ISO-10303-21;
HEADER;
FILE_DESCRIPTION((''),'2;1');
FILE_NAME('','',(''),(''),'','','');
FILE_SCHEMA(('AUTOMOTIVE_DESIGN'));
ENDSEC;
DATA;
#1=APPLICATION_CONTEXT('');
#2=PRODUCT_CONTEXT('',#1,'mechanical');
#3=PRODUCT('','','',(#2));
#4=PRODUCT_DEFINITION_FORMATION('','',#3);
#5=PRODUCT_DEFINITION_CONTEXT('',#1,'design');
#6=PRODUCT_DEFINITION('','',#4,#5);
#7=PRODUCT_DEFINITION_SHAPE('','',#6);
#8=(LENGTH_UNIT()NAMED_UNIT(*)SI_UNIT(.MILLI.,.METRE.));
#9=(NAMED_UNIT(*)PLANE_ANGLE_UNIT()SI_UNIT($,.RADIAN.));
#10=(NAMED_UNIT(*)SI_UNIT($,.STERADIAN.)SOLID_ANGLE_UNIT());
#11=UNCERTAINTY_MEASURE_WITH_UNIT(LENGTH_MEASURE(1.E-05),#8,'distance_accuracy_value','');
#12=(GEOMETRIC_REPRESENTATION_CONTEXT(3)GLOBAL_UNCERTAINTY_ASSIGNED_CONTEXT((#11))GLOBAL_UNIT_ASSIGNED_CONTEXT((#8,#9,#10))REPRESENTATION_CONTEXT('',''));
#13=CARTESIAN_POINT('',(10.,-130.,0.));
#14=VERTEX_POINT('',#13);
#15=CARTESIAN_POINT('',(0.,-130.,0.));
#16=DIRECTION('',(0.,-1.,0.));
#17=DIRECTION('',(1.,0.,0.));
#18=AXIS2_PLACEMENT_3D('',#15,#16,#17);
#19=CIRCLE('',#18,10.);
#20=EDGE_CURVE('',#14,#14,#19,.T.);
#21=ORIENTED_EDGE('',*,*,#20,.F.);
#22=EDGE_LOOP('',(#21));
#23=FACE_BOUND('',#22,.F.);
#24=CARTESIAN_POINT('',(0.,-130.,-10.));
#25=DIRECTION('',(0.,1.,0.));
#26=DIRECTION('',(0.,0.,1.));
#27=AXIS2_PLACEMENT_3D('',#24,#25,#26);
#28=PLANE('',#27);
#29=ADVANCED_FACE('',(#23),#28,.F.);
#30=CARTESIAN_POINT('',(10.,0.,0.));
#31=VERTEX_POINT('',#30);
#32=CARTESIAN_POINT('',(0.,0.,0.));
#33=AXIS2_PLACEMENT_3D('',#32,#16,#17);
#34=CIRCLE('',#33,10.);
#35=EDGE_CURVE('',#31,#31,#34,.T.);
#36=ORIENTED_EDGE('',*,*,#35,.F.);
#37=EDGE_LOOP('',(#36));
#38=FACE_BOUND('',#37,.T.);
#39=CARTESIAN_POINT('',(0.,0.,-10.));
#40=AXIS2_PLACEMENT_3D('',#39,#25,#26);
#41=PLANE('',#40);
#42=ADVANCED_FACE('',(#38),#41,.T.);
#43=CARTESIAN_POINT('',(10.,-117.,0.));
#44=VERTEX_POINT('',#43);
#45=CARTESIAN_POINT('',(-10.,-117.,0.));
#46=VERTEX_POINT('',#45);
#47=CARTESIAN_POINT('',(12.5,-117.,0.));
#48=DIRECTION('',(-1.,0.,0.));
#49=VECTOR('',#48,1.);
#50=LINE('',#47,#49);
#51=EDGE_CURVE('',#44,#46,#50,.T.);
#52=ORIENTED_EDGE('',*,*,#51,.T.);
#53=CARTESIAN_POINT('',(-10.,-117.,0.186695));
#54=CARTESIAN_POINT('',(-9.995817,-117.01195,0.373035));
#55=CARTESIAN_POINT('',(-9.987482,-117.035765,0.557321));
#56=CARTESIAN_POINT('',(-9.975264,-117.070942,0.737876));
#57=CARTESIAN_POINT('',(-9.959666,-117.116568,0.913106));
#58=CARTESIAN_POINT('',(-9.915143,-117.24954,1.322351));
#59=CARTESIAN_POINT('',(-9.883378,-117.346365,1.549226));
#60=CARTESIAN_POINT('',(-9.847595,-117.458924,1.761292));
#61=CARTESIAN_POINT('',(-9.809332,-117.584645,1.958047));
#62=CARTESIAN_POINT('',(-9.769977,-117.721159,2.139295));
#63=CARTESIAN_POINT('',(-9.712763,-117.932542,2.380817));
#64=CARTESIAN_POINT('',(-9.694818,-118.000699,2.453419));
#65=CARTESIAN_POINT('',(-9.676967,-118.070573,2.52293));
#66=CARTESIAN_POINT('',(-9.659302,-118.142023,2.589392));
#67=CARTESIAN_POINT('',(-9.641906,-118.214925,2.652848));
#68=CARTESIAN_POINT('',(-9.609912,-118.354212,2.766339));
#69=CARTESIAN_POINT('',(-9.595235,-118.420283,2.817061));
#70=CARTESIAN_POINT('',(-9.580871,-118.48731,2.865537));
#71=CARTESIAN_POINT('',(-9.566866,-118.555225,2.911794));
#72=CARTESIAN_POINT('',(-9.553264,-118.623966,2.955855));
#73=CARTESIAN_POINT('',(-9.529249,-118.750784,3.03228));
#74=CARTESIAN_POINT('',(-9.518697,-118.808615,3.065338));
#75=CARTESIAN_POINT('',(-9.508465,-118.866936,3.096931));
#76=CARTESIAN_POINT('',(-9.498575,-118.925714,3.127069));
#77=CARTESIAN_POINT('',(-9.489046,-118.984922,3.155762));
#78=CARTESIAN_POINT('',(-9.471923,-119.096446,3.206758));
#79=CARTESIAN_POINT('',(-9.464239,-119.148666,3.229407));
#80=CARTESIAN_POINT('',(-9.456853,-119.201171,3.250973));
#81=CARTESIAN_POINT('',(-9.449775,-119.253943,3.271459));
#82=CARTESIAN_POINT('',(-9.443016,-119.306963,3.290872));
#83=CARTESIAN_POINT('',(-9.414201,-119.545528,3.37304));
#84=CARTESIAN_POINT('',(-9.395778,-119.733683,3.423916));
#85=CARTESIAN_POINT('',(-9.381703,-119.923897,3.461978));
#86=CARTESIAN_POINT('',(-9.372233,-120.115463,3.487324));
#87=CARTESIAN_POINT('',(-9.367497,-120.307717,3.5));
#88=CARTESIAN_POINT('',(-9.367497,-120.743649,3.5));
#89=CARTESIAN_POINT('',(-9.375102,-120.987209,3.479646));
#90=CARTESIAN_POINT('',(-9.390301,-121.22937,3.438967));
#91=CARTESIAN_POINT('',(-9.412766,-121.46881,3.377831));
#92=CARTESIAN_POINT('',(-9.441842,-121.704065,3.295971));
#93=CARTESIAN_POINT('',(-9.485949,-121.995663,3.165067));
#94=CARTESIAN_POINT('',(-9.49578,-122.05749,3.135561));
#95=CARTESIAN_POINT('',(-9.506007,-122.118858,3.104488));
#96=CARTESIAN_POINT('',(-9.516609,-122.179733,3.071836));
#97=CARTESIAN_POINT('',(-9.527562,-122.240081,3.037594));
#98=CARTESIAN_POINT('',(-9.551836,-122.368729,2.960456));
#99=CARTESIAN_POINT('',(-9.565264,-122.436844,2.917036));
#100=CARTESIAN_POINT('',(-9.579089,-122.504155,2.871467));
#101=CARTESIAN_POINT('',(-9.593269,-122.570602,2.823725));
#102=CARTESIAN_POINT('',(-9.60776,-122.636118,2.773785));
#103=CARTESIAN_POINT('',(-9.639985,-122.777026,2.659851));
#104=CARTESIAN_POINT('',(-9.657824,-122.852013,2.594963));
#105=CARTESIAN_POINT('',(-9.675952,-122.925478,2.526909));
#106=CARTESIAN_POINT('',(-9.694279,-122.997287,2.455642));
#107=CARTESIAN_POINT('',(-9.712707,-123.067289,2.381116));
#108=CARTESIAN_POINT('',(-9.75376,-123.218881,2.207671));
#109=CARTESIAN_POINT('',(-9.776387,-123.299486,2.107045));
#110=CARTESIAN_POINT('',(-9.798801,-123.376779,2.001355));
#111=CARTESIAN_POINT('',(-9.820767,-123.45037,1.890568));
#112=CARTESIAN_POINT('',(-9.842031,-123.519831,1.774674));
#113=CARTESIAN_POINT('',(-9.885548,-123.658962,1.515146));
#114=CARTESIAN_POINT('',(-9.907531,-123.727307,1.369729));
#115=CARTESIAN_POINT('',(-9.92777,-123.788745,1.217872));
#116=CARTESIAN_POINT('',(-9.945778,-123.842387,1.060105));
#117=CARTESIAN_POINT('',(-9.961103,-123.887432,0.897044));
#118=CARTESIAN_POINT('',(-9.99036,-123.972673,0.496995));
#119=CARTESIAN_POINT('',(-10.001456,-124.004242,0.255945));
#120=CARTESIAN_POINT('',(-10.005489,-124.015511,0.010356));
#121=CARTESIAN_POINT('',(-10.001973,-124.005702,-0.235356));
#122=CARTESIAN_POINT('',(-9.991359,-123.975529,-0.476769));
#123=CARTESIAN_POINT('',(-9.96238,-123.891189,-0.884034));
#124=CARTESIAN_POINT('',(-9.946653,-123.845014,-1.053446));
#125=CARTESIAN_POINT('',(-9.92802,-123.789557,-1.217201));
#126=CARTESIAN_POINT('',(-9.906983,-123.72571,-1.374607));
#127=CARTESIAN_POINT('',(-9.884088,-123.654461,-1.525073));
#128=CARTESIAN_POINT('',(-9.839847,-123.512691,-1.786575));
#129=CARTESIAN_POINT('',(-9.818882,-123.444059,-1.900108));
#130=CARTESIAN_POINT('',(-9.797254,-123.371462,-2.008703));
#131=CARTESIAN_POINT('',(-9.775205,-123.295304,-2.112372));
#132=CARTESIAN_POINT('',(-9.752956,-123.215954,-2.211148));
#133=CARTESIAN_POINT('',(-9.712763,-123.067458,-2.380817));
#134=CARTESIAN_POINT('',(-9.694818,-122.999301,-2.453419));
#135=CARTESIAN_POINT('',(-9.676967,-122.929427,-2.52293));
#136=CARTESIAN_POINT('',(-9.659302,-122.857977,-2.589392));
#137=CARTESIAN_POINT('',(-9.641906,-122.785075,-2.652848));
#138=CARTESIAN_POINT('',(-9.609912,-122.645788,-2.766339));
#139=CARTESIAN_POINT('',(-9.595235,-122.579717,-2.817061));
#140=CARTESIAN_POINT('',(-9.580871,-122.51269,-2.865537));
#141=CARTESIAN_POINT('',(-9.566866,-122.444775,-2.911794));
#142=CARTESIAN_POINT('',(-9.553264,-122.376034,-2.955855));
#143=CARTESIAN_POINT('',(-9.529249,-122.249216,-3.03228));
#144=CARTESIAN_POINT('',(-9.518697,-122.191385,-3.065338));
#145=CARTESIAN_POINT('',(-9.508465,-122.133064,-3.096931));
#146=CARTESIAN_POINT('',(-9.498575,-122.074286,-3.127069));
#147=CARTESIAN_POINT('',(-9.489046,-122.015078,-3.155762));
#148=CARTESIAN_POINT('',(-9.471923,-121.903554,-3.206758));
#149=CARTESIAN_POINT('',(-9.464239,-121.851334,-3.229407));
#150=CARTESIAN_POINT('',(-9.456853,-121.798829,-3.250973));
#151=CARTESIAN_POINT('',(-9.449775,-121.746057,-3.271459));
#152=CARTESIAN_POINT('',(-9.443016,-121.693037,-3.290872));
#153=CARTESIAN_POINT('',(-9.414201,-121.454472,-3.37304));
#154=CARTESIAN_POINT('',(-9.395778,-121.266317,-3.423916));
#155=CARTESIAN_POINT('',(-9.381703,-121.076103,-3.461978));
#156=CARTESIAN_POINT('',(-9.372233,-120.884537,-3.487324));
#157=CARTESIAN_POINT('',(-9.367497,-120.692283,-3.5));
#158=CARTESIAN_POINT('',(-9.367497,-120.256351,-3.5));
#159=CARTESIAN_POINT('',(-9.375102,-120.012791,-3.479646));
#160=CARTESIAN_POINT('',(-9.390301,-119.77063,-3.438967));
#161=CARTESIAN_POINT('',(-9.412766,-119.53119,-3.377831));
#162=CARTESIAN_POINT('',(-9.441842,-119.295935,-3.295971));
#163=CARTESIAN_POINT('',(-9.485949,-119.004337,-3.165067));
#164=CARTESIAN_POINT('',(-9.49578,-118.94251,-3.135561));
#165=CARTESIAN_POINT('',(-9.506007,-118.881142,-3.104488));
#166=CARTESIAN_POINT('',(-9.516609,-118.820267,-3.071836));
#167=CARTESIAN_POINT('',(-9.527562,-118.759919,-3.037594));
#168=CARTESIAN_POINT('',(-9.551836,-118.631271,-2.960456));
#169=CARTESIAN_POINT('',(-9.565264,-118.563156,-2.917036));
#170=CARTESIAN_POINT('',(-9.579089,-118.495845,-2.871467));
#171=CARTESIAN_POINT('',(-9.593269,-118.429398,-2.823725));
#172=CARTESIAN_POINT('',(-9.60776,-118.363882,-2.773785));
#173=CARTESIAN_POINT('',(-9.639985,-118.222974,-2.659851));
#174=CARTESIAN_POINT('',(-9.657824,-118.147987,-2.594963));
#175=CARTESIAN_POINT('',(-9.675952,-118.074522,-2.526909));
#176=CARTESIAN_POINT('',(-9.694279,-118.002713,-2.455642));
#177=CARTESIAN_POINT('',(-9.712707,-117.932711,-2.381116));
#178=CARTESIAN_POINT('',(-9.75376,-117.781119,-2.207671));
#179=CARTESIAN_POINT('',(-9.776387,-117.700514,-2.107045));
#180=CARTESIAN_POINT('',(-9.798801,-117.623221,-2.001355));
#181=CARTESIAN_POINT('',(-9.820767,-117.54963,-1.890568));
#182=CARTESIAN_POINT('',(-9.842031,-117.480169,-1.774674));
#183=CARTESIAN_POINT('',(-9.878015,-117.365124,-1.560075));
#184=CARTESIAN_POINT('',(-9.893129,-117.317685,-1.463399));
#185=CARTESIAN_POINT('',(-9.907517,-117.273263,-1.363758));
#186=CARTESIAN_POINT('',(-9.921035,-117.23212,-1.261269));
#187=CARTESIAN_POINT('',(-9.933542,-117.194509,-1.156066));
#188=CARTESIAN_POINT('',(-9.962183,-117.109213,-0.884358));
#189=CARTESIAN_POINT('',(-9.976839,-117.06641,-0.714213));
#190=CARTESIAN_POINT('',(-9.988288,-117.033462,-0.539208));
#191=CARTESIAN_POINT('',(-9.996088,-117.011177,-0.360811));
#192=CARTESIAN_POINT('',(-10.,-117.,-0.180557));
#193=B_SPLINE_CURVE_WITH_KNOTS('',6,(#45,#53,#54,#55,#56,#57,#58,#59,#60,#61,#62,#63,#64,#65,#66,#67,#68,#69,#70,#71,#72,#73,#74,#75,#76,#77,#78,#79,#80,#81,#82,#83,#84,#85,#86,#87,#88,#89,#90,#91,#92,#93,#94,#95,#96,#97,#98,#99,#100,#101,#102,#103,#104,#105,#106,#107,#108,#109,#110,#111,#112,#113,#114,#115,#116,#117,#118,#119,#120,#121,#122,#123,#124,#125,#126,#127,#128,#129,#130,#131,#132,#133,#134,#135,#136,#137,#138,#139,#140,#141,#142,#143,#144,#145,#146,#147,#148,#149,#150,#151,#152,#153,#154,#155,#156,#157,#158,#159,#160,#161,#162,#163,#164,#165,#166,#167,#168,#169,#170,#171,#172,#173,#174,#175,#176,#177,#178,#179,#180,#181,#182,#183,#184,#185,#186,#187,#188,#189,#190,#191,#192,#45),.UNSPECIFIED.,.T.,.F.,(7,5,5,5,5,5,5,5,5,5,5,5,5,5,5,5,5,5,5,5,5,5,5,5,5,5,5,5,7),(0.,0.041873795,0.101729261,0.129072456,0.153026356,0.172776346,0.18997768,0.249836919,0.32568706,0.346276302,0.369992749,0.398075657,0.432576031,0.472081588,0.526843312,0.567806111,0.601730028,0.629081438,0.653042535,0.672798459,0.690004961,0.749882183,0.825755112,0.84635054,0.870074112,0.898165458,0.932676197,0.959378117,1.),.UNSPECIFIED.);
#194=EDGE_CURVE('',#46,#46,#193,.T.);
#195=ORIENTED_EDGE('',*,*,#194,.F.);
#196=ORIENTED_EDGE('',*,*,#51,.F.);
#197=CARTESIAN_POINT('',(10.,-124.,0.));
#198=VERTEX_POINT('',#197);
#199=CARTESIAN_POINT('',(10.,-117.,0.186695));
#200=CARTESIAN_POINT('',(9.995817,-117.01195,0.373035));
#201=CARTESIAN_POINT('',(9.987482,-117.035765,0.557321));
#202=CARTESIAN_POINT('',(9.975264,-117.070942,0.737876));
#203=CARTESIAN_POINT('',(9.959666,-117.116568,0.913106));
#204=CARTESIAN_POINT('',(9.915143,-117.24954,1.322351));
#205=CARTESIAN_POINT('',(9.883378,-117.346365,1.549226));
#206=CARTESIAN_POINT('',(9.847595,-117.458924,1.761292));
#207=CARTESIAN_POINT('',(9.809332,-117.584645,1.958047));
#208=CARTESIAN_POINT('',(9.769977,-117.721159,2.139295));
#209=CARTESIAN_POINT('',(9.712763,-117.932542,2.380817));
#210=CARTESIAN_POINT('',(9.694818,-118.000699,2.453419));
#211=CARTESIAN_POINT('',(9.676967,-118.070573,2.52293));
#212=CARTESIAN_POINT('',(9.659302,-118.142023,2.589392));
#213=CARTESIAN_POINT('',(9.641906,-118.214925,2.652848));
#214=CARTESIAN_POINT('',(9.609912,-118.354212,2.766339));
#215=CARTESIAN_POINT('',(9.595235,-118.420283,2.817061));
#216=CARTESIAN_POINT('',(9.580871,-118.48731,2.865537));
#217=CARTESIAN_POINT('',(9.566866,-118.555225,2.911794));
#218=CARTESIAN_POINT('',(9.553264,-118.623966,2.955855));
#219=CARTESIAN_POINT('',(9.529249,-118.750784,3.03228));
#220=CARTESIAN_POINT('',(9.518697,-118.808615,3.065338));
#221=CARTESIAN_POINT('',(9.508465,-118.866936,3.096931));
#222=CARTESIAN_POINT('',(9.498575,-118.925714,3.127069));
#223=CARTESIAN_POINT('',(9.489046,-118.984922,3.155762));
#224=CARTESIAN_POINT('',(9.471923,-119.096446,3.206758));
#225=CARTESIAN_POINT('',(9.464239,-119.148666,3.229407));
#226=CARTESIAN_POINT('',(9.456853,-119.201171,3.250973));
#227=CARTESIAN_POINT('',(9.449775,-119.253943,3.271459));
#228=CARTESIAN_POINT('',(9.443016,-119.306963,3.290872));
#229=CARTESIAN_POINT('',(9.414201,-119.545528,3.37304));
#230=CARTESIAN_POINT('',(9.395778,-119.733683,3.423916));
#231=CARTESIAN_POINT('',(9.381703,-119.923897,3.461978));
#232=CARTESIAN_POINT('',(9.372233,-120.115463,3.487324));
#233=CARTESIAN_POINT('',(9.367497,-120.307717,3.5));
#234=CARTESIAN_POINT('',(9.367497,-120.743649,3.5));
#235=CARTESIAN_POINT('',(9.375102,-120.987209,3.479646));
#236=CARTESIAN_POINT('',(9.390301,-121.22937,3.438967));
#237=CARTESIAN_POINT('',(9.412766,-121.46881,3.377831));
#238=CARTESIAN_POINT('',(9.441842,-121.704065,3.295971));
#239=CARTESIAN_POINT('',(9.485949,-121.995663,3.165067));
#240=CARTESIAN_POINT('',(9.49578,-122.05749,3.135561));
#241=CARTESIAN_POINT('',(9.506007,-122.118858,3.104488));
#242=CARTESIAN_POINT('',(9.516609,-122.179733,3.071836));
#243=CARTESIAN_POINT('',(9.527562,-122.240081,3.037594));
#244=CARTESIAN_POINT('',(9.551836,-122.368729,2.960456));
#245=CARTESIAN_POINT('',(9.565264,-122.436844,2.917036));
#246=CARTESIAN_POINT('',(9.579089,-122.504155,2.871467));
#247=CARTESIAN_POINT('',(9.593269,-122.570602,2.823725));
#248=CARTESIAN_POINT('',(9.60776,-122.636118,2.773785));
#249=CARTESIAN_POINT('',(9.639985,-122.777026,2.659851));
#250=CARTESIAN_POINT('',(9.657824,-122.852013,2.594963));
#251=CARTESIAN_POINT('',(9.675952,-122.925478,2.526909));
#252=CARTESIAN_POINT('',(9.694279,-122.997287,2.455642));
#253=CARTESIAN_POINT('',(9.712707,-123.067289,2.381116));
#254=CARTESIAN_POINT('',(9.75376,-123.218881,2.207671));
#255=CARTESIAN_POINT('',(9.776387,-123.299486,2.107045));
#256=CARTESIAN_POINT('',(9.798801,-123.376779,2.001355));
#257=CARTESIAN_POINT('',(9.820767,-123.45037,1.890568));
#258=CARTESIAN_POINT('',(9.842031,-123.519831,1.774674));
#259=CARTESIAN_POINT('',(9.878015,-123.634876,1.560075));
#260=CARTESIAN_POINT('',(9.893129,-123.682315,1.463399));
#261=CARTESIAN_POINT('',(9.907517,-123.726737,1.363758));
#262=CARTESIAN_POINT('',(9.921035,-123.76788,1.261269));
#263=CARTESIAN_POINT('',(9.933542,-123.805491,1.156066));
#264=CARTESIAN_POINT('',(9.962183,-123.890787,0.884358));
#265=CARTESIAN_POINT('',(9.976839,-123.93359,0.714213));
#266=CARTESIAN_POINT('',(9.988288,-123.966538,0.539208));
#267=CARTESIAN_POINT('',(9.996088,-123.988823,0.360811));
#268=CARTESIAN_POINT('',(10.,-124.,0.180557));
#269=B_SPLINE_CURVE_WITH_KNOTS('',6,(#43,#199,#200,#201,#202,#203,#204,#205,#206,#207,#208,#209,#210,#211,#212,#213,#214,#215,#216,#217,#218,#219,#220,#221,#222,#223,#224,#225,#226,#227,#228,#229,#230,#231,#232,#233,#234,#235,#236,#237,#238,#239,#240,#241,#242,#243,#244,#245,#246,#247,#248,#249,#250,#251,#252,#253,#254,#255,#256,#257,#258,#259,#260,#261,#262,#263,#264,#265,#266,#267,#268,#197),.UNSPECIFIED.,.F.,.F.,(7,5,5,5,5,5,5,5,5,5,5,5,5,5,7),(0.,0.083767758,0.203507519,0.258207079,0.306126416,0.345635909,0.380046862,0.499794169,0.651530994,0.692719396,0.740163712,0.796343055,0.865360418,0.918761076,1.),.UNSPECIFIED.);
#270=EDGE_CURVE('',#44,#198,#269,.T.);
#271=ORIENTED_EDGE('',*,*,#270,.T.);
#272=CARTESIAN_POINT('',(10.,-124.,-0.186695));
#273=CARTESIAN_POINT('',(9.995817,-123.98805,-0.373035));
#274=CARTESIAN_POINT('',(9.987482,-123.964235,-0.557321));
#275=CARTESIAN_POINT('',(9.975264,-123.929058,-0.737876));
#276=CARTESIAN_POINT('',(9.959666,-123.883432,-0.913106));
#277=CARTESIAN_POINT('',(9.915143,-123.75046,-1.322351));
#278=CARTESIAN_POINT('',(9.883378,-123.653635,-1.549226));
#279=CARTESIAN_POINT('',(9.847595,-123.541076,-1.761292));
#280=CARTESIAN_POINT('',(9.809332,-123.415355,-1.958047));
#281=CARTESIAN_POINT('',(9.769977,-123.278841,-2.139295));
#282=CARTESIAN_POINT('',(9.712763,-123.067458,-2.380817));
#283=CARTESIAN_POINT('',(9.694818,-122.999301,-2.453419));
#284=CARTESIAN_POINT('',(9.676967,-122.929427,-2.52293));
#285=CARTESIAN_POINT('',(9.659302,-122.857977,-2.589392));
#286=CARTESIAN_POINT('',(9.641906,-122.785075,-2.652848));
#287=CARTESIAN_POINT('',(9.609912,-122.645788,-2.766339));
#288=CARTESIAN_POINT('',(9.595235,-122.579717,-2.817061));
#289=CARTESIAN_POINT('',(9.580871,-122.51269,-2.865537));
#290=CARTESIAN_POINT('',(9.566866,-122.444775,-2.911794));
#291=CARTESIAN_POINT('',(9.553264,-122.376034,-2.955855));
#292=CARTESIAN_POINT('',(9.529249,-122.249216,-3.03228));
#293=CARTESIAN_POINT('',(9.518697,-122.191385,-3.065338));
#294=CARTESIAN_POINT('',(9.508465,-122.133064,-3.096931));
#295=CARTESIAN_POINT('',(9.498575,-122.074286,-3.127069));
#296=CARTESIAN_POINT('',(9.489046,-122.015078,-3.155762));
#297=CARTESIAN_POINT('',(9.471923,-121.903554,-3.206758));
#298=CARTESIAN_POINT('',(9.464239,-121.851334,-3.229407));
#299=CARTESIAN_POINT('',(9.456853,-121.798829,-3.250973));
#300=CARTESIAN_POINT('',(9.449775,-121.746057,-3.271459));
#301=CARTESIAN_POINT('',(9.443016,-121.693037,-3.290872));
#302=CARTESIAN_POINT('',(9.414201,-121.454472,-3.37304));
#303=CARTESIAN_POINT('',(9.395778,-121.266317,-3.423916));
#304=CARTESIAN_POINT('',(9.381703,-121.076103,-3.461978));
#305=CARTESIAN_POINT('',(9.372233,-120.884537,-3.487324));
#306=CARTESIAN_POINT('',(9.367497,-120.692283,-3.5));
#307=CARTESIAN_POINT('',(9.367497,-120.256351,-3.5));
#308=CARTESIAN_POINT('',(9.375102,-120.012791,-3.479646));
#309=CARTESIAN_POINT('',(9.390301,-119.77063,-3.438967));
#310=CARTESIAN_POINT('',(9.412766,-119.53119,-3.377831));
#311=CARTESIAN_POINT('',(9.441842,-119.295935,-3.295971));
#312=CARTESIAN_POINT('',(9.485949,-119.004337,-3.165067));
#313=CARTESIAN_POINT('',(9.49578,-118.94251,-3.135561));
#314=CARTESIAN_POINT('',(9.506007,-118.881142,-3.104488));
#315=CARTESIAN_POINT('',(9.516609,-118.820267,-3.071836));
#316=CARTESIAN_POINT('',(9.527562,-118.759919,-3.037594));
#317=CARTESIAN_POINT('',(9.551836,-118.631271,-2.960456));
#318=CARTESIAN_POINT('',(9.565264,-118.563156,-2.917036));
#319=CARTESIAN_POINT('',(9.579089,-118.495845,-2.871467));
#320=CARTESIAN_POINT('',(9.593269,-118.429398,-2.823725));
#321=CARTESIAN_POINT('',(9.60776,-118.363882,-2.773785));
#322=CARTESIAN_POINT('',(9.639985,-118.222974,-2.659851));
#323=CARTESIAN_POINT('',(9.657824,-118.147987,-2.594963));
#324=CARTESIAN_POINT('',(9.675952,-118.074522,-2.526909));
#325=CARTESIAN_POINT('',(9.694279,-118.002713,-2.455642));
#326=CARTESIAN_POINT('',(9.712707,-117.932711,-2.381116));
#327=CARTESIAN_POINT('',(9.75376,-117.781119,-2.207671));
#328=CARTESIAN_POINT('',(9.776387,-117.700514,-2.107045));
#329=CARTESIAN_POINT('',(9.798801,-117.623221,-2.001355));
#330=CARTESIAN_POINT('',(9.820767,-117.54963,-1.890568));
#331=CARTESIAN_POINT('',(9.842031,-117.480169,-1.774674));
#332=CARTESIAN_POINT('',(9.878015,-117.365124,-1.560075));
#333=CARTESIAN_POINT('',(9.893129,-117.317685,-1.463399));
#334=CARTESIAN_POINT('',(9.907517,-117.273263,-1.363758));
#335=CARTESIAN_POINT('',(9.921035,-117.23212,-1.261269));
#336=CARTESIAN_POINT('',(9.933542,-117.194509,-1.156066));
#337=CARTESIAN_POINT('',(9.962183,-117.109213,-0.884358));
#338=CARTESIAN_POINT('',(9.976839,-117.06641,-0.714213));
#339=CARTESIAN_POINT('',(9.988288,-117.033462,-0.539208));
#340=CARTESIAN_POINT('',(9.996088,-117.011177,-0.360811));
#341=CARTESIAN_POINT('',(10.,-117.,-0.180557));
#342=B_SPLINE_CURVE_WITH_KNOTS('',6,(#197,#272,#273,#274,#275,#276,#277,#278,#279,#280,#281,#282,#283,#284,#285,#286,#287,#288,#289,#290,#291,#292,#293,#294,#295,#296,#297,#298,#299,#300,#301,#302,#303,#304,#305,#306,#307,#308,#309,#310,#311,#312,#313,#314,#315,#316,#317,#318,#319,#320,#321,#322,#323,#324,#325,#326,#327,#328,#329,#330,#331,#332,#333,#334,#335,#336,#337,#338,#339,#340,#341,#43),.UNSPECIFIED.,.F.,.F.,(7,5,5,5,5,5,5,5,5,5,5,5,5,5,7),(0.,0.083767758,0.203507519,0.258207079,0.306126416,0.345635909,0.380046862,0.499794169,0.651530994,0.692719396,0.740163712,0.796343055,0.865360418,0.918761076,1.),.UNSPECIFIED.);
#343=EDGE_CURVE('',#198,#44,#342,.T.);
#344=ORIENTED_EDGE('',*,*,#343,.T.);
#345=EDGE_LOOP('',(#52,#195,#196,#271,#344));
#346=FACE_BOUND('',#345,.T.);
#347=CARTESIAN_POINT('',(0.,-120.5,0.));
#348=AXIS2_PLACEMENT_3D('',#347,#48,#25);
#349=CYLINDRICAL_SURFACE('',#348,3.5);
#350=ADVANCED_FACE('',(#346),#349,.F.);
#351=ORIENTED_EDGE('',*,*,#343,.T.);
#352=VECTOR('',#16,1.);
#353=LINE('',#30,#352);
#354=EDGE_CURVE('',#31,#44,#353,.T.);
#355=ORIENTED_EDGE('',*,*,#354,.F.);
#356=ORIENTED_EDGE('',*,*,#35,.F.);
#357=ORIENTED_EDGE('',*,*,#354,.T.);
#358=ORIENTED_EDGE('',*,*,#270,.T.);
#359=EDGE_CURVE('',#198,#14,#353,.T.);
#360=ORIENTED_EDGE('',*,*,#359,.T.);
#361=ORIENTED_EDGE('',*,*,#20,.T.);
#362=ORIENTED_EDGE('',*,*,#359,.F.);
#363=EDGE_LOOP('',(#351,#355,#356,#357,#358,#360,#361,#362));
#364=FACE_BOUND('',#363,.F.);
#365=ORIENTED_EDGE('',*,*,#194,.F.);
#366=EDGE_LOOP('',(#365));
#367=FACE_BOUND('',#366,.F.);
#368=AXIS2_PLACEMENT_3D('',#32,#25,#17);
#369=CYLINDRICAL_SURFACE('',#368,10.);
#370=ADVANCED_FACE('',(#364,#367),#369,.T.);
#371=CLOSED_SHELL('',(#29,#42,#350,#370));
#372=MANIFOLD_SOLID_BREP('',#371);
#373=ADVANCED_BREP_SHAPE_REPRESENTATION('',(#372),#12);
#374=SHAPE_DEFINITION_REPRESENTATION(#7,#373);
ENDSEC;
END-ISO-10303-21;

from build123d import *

# Parameters (mm, degrees)
F1_W     = 130
F1_H     = 20
F1_R     = 3.5
F2_DEPTH = 12.5
F0_R     = 10
F3_DEPTH = 149


with BuildPart() as f2:
    # F1 (on Right) → F2 (new body, symmetric)
    with BuildSketch(Plane.YZ):
        with Locations((-65, 0)):
            Rectangle(F1_W, F1_H)
        with Locations((-120.5, 0)):
            Circle(F1_R, mode=Mode.SUBTRACT)
    extrude(amount=F2_DEPTH, both=True)

    # F0 (on Front) → F3 (intersect)
    with BuildSketch(Plane.XZ):
        Circle(F0_R)
    extrude(amount=F3_DEPTH, mode=Mode.INTERSECT)


solid = f2.part
